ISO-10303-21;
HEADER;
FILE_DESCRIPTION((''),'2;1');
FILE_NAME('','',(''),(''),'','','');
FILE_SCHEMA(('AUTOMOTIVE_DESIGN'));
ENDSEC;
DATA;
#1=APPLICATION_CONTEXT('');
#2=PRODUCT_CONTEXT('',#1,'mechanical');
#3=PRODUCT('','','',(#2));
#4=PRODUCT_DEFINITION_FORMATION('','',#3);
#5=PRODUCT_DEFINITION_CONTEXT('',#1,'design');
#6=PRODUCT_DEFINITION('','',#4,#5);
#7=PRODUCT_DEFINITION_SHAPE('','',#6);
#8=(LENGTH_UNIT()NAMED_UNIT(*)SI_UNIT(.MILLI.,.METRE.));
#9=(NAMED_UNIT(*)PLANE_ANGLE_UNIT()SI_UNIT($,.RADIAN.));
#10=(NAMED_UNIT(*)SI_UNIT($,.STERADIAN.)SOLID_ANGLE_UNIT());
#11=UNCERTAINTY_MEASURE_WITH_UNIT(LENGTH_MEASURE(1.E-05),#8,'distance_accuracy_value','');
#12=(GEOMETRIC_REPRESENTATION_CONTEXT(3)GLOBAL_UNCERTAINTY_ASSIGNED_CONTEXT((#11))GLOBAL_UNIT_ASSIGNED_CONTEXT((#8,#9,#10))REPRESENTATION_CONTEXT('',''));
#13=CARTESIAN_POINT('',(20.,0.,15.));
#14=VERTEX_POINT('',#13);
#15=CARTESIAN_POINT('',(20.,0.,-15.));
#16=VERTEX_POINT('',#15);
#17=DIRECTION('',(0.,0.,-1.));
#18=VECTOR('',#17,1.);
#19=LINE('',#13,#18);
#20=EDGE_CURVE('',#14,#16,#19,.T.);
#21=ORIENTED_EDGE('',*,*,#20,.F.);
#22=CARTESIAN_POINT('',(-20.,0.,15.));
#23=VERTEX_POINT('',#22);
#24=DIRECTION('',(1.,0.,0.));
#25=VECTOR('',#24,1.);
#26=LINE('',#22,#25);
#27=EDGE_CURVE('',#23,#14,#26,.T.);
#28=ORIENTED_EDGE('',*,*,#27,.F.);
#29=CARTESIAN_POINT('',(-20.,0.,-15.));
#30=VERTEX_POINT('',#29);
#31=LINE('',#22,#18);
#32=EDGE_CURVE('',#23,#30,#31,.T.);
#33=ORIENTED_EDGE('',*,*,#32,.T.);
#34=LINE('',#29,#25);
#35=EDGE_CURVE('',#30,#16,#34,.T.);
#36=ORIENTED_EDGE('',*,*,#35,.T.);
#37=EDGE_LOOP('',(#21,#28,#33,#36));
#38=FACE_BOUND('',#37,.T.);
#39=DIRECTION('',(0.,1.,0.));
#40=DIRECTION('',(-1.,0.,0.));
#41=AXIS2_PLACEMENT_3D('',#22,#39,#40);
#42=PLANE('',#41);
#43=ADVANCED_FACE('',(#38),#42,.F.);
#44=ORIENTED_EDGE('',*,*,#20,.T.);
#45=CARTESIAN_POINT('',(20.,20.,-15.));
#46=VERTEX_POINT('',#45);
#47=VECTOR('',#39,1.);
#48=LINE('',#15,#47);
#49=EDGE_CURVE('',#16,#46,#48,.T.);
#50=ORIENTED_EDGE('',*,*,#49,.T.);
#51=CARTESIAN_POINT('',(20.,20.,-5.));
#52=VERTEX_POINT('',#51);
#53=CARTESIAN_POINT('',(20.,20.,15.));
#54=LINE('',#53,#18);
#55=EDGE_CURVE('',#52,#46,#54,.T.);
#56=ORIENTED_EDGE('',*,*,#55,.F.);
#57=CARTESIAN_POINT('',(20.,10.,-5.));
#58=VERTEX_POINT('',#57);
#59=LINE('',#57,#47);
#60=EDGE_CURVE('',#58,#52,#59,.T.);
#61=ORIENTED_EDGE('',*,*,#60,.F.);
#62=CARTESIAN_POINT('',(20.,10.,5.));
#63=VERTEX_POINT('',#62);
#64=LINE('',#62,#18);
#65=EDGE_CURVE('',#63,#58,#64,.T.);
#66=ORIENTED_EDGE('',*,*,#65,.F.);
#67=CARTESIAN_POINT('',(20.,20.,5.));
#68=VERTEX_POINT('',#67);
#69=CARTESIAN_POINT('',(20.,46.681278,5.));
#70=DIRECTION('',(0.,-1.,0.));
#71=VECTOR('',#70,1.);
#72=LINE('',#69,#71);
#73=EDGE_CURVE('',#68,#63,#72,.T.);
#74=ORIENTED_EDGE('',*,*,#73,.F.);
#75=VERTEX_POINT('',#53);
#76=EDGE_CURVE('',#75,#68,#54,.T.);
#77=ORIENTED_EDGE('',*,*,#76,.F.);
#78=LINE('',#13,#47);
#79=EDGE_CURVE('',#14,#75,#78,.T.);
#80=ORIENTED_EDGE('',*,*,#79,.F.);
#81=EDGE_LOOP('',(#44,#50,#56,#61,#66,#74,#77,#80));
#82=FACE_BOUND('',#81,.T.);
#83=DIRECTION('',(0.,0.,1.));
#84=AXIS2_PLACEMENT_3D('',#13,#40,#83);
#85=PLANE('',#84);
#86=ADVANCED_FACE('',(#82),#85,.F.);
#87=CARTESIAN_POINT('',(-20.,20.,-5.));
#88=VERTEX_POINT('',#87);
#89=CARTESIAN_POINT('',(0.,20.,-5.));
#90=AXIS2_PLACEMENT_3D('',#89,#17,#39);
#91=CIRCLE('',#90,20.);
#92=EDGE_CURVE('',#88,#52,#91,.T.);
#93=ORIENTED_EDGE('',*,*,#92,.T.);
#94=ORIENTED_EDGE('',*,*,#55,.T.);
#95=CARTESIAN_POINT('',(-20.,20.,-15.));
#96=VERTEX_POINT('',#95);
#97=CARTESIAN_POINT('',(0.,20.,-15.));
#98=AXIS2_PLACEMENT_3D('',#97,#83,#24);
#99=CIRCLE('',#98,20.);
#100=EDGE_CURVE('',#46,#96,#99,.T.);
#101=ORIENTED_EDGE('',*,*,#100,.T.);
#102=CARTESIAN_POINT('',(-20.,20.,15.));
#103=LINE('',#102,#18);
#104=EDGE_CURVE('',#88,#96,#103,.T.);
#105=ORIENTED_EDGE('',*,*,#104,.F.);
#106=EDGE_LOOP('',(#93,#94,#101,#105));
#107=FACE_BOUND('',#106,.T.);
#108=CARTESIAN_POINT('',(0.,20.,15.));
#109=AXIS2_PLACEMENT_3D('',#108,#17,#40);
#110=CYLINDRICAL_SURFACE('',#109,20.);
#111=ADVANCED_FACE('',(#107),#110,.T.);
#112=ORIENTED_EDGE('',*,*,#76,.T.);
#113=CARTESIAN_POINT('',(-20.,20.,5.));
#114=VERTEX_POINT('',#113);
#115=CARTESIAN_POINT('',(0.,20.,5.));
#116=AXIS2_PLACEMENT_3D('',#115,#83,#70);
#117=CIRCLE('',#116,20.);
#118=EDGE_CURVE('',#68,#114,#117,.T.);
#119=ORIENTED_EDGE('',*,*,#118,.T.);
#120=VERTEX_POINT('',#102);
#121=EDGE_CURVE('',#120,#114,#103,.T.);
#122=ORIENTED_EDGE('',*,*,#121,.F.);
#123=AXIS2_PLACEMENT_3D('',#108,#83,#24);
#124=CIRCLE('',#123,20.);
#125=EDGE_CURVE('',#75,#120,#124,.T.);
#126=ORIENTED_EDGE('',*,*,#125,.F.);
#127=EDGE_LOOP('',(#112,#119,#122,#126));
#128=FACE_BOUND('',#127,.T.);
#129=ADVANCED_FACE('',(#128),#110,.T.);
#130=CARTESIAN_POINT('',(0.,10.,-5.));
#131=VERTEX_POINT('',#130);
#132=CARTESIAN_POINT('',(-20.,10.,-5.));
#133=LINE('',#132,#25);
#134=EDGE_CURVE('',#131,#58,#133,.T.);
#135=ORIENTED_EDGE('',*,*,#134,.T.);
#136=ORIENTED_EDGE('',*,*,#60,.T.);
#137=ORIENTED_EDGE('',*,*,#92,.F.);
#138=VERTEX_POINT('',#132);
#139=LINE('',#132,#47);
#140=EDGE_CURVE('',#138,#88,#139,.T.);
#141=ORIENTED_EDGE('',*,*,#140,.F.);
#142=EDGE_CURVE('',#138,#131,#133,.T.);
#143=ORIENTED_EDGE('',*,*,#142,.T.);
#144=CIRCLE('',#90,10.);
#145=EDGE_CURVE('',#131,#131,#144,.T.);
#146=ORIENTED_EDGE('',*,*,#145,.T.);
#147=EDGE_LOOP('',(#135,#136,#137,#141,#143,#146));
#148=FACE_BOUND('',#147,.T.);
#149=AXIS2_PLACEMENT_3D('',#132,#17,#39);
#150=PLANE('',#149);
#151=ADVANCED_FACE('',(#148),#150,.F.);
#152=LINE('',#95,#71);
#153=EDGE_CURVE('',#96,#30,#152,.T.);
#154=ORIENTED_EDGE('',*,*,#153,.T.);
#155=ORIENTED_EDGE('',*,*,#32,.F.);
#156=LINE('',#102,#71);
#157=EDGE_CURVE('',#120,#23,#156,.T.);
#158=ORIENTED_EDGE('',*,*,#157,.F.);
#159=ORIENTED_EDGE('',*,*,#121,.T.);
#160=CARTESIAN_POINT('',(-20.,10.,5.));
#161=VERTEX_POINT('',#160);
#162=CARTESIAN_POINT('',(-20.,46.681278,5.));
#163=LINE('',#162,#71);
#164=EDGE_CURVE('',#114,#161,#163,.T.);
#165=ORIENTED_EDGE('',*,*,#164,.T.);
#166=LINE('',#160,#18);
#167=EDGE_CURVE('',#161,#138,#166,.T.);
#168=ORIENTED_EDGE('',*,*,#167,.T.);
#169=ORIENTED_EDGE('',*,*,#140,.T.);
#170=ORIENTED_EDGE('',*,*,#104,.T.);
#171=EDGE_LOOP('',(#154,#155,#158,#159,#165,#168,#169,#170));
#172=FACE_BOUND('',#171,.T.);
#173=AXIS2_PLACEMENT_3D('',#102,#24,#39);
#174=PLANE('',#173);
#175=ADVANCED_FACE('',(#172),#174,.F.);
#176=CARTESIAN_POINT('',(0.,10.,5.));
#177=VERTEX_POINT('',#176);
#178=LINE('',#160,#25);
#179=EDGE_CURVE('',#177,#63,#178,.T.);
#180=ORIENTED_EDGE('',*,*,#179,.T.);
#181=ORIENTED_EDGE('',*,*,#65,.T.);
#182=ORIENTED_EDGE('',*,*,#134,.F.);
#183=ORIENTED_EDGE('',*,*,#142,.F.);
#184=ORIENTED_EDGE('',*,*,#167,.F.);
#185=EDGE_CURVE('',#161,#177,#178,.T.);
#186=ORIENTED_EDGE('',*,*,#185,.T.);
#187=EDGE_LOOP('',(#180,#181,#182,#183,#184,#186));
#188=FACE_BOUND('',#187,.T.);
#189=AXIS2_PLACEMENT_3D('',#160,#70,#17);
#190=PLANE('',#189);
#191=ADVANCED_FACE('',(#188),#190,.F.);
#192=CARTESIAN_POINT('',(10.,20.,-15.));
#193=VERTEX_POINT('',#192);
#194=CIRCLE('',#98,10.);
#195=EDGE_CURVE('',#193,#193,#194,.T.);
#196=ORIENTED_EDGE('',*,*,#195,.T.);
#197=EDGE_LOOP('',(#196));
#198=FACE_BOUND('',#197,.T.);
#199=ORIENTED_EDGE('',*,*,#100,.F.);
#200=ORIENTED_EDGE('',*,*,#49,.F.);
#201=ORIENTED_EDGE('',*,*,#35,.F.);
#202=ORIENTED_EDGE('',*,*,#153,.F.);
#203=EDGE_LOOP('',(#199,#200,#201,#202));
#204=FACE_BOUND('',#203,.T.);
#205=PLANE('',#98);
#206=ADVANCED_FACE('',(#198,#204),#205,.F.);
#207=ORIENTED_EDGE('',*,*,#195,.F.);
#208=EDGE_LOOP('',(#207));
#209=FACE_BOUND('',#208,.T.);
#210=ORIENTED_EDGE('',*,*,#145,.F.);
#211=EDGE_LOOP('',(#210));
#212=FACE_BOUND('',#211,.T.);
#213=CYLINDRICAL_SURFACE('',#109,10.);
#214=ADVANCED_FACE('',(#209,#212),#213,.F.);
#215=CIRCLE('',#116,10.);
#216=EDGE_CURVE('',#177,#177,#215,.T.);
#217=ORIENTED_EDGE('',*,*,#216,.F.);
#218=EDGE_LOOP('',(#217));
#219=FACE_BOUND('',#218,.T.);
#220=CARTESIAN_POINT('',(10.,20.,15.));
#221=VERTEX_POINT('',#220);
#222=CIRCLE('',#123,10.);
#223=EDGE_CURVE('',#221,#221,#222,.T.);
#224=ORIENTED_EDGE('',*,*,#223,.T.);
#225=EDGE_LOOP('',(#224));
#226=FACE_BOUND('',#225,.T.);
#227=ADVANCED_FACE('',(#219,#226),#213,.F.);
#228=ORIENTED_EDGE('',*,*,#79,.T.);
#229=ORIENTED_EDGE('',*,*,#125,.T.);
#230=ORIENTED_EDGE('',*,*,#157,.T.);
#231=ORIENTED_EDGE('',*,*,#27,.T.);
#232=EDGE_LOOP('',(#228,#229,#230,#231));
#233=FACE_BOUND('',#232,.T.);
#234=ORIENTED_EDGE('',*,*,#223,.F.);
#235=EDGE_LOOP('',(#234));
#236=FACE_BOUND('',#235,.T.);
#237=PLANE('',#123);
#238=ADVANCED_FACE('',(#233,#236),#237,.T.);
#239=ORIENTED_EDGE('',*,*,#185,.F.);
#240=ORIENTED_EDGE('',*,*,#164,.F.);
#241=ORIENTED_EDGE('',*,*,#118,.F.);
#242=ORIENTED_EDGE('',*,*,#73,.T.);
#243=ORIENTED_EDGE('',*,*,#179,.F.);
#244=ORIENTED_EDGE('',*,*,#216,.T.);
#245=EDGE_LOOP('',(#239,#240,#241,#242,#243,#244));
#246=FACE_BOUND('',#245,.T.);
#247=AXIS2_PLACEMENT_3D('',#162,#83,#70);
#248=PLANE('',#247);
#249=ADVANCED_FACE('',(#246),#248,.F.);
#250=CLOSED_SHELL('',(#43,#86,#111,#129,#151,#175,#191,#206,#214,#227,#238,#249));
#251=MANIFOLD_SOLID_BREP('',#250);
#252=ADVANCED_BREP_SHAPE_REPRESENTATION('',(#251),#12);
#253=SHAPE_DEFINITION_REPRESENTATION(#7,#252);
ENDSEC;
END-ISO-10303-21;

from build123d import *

# Parameters (mm, degrees)
ESBO_O1_R                = 10
RESSALTO_EXTRUS_O1_DEPTH = 15
ESBO_O2_W                = 10
ESBO_O2_H                = 36.681278326
CORTE_EXTRUS_O1_DEPTH    = 41


with BuildPart() as part:
    # Esboço1 → Ressalto-extrusão1 (new body, symmetric)
    with BuildSketch(Plane.XY):
        with BuildLine():
            Line((-20, 0), (20, 0))
            Line((20, 0), (20, 20))
            ThreePointArc((20, 20), (0, 40), (-20, 20))
            Line((-20, 20), (-20, 0))
        make_face()
        with Locations((0, 20)):
            Circle(ESBO_O1_R, mode=Mode.SUBTRACT)
    extrude(amount=RESSALTO_EXTRUS_O1_DEPTH, both=True)

    # Esboço2 → Corte-extrusão1 (cut, through all)
    with BuildSketch(Plane(origin=(20, 0, 0), x_dir=(0, 0, -1), z_dir=(1, 0, 0))):
        with Locations((0, 28.340639163)):
            Rectangle(ESBO_O2_W, ESBO_O2_H)
    extrude(amount=-CORTE_EXTRUS_O1_DEPTH, mode=Mode.SUBTRACT)


solid = part.part
